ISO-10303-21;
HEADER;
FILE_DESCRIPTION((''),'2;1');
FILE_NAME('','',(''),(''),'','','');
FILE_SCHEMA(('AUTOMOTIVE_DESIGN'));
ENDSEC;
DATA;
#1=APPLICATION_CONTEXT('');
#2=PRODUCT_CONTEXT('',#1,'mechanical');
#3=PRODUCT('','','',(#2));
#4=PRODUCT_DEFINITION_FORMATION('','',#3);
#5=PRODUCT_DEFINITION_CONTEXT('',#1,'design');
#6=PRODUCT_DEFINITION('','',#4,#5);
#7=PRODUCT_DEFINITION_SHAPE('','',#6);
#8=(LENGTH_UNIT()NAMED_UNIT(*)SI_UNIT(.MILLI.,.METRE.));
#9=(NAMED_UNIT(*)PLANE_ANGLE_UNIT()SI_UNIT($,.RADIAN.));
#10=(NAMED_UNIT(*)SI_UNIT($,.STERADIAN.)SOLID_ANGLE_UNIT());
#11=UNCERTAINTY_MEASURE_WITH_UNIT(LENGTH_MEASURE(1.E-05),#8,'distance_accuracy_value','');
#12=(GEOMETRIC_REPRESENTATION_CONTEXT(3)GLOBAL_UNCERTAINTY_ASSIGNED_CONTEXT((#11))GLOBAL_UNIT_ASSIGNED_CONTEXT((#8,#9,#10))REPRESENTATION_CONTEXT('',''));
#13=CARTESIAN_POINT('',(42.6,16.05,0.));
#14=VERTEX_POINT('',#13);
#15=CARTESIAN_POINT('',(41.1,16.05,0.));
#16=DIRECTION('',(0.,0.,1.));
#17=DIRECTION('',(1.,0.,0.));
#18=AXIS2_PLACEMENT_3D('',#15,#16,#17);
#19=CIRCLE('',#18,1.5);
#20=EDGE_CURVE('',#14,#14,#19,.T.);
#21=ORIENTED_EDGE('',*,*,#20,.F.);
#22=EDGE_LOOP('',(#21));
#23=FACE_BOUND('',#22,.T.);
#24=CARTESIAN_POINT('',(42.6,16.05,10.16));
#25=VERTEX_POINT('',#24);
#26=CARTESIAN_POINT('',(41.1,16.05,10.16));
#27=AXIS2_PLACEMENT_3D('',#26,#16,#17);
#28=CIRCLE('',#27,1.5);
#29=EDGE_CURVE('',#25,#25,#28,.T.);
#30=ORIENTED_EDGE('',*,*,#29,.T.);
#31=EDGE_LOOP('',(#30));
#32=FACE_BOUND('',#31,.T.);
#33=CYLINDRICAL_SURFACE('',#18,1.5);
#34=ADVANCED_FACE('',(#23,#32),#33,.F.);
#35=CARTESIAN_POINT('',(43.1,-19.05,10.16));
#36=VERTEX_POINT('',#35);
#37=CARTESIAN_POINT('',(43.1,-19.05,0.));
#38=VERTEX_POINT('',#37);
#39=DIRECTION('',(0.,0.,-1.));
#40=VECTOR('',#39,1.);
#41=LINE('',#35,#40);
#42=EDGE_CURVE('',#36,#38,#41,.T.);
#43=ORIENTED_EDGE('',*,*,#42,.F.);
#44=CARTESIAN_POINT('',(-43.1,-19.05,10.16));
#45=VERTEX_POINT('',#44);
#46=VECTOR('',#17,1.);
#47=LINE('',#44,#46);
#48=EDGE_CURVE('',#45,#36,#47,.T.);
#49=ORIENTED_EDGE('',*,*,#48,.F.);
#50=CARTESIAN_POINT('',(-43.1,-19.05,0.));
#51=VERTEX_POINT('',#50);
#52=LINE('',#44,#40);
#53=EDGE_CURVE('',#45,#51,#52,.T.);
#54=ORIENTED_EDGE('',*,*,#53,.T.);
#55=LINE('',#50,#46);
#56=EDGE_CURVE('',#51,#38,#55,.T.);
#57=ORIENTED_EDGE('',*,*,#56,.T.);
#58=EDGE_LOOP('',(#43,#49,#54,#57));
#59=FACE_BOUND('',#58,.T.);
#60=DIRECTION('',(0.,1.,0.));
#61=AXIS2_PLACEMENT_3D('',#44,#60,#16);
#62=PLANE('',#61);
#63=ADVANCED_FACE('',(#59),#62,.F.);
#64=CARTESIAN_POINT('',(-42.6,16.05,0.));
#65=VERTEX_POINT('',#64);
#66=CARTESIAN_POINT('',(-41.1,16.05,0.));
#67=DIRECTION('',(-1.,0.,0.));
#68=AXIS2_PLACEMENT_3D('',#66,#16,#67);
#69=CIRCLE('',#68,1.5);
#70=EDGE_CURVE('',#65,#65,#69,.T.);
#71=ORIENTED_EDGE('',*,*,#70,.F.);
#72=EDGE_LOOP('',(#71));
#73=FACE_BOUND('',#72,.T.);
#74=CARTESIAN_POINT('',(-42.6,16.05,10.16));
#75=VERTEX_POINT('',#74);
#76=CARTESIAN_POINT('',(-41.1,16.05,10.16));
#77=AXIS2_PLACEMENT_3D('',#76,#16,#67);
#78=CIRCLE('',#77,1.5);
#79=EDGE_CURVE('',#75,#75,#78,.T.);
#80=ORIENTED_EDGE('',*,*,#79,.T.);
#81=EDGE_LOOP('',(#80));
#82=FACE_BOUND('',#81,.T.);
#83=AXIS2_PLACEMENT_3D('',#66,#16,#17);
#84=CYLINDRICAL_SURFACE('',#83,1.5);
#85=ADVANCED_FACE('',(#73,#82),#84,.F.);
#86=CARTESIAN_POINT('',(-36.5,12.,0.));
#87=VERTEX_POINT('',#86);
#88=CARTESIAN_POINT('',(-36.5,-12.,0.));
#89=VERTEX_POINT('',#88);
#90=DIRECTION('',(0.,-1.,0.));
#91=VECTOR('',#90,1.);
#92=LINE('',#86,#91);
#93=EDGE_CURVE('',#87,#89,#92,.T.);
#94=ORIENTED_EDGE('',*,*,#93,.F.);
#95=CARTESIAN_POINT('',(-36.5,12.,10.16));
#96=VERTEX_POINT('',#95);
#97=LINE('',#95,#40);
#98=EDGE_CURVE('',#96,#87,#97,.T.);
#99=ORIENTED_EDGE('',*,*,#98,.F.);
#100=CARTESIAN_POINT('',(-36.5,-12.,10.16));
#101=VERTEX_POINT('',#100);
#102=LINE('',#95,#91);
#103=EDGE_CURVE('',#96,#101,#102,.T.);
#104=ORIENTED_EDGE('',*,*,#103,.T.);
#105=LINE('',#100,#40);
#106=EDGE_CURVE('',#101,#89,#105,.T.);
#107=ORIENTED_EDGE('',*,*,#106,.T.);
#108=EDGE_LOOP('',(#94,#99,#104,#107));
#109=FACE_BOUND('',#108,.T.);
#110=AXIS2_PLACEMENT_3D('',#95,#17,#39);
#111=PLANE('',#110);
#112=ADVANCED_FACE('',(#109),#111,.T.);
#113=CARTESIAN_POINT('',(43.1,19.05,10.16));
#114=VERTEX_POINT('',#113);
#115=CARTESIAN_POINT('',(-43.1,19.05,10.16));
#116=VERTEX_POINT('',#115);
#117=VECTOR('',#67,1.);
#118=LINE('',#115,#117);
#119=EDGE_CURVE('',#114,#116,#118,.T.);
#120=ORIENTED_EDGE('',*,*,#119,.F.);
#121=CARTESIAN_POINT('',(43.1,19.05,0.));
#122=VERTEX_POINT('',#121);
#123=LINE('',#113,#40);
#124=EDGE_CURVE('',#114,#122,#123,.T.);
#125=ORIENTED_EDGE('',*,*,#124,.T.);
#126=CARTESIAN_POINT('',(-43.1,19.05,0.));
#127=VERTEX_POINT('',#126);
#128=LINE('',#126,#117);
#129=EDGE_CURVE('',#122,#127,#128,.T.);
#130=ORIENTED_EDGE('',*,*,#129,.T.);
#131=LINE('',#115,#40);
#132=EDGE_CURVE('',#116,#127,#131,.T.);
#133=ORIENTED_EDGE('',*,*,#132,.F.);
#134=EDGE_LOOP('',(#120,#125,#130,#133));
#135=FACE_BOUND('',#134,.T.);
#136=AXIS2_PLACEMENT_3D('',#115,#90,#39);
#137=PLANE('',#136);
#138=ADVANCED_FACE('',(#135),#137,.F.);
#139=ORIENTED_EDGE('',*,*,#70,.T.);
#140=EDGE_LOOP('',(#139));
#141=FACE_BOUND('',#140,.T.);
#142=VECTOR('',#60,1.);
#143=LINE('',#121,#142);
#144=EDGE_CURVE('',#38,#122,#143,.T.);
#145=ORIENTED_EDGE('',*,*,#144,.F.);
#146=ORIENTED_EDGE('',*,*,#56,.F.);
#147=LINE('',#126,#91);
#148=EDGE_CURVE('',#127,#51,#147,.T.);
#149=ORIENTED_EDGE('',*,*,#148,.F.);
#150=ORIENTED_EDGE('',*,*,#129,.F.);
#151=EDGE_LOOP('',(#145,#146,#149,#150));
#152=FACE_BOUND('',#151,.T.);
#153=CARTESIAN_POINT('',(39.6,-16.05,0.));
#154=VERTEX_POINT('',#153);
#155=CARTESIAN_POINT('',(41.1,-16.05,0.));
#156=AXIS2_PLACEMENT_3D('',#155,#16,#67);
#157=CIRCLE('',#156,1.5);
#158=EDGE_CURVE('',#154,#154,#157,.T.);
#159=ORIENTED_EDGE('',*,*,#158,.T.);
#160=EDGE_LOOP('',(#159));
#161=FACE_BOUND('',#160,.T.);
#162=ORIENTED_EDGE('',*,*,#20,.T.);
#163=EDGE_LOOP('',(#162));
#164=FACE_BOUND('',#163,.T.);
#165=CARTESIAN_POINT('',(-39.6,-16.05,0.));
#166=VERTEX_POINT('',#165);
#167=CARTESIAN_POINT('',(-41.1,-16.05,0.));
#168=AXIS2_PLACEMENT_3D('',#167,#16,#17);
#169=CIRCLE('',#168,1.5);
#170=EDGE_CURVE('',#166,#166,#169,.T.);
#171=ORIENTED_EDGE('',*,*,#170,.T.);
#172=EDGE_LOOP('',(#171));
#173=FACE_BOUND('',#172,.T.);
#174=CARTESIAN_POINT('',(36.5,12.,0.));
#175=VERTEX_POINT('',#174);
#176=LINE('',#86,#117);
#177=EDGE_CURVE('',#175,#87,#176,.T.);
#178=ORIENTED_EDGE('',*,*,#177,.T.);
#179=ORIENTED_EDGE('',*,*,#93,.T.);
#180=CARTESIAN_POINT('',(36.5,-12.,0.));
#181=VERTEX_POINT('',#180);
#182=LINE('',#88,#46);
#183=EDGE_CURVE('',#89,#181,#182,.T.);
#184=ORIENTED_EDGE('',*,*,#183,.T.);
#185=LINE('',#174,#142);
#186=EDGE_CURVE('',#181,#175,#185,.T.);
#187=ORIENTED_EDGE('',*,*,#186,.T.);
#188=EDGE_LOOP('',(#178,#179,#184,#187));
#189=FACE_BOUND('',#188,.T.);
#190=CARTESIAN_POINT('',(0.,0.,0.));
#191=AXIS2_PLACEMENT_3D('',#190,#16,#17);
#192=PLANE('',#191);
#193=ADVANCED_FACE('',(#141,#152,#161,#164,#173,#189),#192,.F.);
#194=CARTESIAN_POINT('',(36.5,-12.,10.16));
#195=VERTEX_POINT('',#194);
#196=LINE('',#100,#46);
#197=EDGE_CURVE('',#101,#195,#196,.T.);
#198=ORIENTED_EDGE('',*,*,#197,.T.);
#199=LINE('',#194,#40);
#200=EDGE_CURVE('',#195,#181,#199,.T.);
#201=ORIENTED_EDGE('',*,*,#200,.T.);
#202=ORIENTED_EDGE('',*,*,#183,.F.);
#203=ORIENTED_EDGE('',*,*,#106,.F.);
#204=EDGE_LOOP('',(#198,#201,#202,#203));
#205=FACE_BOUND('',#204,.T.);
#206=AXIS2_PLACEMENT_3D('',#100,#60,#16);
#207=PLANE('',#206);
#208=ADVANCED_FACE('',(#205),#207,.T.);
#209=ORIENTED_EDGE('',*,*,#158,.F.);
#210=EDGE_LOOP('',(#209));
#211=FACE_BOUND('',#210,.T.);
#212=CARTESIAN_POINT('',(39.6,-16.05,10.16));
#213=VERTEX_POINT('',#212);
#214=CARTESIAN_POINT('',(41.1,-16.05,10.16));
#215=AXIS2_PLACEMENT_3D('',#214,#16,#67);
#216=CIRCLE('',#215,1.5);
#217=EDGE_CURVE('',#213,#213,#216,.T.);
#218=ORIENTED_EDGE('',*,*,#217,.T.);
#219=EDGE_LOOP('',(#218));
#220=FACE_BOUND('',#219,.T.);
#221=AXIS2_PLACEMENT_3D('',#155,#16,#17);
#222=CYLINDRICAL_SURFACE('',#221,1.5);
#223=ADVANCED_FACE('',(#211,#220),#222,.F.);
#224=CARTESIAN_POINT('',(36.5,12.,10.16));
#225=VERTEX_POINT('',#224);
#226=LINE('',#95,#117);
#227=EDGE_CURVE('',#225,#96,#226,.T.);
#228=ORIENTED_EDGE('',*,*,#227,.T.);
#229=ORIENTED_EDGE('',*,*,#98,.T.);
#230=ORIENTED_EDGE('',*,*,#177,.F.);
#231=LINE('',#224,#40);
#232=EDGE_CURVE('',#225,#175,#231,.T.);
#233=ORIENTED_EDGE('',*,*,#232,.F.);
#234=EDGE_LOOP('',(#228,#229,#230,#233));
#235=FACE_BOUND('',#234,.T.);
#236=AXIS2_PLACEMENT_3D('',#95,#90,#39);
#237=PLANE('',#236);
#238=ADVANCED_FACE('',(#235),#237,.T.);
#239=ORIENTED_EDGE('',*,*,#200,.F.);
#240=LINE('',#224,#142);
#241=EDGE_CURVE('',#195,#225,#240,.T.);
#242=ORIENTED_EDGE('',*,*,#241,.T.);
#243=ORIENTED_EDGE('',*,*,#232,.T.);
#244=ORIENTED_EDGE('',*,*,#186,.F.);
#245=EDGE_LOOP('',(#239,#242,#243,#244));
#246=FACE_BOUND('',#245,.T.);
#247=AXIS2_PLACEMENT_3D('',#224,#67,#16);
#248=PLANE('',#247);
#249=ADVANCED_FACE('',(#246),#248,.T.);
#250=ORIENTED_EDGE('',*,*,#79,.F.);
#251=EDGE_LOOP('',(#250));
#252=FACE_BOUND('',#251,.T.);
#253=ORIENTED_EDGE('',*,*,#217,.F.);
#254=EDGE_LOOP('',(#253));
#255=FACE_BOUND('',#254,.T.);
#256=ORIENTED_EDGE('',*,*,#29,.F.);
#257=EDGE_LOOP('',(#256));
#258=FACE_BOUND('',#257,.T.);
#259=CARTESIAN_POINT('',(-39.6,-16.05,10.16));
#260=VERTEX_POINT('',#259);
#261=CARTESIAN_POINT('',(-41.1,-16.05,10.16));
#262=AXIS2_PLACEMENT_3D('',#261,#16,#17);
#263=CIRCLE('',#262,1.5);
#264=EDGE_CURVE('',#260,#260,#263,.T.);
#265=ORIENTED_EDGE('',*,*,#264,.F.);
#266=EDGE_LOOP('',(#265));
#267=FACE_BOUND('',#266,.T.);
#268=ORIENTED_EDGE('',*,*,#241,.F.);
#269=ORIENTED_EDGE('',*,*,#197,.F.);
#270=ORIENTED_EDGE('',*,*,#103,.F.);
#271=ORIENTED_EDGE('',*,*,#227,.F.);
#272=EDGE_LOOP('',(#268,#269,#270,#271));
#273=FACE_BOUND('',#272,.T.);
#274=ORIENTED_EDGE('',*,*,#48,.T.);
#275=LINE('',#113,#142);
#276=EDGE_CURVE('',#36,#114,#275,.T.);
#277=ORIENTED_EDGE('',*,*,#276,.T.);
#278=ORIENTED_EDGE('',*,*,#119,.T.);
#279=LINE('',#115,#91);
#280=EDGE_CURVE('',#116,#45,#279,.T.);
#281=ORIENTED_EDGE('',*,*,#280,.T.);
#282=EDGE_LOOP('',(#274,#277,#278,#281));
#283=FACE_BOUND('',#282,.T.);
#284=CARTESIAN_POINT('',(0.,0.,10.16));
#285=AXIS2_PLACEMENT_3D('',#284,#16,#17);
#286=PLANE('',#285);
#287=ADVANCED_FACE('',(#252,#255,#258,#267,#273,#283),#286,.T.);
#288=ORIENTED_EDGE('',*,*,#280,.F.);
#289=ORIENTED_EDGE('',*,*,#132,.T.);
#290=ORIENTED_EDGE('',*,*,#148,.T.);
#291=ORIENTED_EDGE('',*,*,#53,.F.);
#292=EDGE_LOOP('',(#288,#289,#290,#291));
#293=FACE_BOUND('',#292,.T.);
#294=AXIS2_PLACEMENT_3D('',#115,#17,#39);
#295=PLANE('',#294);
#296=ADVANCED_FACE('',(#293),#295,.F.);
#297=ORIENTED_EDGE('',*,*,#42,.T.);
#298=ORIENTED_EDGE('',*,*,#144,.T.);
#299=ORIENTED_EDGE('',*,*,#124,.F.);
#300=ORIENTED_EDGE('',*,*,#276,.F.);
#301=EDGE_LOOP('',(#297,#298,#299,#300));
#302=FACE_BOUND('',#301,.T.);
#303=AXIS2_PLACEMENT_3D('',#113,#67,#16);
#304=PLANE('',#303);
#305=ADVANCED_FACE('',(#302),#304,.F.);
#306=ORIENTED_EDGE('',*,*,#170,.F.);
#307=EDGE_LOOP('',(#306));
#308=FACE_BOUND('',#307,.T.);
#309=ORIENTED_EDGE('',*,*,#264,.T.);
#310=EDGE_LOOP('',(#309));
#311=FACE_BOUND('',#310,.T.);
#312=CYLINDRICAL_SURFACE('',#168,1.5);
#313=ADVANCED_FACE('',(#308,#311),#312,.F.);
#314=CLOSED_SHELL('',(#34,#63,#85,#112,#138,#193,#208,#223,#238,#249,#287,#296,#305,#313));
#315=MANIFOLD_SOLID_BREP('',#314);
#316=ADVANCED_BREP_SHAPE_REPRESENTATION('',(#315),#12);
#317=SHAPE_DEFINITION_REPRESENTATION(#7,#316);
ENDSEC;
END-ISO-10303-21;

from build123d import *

# Parameters (mm, degrees)
SKETCH1_W           = 86.199999926
SKETCH1_H           = 38.1
SKETCH1_W_2         = 73
SKETCH1_H_2         = 24
BOSS_EXTRUDE1_DEPTH = 10.16
SKETCH2_R           = 1.5
CUT_EXTRUDE1_DEPTH  = 10.16


with BuildPart() as part:
    # Sketch1 → Boss-Extrude1 (new body)
    with BuildSketch(Plane.XY):
        Rectangle(SKETCH1_W, SKETCH1_H)
        Rectangle(SKETCH1_W_2, SKETCH1_H_2, mode=Mode.SUBTRACT)
    extrude(amount=BOSS_EXTRUDE1_DEPTH)

    # Sketch2 → Cut-Extrude1 (cut)
    with BuildSketch(Plane.XY.offset(10.16)):
        with Locations((41.099999963, 16.05)):
            Circle(SKETCH2_R)
        with Locations(Location((-41.099999963, 16.05, 0), (0, 0, 180))):
            Circle(SKETCH2_R)
        with Locations((-41.099999963, -16.05)):
            Circle(SKETCH2_R)
        with Locations(Location((41.099999963, -16.05, 0), (0, 0, 180))):
            Circle(SKETCH2_R)
    extrude(amount=-CUT_EXTRUDE1_DEPTH, mode=Mode.SUBTRACT)


solid = part.part
